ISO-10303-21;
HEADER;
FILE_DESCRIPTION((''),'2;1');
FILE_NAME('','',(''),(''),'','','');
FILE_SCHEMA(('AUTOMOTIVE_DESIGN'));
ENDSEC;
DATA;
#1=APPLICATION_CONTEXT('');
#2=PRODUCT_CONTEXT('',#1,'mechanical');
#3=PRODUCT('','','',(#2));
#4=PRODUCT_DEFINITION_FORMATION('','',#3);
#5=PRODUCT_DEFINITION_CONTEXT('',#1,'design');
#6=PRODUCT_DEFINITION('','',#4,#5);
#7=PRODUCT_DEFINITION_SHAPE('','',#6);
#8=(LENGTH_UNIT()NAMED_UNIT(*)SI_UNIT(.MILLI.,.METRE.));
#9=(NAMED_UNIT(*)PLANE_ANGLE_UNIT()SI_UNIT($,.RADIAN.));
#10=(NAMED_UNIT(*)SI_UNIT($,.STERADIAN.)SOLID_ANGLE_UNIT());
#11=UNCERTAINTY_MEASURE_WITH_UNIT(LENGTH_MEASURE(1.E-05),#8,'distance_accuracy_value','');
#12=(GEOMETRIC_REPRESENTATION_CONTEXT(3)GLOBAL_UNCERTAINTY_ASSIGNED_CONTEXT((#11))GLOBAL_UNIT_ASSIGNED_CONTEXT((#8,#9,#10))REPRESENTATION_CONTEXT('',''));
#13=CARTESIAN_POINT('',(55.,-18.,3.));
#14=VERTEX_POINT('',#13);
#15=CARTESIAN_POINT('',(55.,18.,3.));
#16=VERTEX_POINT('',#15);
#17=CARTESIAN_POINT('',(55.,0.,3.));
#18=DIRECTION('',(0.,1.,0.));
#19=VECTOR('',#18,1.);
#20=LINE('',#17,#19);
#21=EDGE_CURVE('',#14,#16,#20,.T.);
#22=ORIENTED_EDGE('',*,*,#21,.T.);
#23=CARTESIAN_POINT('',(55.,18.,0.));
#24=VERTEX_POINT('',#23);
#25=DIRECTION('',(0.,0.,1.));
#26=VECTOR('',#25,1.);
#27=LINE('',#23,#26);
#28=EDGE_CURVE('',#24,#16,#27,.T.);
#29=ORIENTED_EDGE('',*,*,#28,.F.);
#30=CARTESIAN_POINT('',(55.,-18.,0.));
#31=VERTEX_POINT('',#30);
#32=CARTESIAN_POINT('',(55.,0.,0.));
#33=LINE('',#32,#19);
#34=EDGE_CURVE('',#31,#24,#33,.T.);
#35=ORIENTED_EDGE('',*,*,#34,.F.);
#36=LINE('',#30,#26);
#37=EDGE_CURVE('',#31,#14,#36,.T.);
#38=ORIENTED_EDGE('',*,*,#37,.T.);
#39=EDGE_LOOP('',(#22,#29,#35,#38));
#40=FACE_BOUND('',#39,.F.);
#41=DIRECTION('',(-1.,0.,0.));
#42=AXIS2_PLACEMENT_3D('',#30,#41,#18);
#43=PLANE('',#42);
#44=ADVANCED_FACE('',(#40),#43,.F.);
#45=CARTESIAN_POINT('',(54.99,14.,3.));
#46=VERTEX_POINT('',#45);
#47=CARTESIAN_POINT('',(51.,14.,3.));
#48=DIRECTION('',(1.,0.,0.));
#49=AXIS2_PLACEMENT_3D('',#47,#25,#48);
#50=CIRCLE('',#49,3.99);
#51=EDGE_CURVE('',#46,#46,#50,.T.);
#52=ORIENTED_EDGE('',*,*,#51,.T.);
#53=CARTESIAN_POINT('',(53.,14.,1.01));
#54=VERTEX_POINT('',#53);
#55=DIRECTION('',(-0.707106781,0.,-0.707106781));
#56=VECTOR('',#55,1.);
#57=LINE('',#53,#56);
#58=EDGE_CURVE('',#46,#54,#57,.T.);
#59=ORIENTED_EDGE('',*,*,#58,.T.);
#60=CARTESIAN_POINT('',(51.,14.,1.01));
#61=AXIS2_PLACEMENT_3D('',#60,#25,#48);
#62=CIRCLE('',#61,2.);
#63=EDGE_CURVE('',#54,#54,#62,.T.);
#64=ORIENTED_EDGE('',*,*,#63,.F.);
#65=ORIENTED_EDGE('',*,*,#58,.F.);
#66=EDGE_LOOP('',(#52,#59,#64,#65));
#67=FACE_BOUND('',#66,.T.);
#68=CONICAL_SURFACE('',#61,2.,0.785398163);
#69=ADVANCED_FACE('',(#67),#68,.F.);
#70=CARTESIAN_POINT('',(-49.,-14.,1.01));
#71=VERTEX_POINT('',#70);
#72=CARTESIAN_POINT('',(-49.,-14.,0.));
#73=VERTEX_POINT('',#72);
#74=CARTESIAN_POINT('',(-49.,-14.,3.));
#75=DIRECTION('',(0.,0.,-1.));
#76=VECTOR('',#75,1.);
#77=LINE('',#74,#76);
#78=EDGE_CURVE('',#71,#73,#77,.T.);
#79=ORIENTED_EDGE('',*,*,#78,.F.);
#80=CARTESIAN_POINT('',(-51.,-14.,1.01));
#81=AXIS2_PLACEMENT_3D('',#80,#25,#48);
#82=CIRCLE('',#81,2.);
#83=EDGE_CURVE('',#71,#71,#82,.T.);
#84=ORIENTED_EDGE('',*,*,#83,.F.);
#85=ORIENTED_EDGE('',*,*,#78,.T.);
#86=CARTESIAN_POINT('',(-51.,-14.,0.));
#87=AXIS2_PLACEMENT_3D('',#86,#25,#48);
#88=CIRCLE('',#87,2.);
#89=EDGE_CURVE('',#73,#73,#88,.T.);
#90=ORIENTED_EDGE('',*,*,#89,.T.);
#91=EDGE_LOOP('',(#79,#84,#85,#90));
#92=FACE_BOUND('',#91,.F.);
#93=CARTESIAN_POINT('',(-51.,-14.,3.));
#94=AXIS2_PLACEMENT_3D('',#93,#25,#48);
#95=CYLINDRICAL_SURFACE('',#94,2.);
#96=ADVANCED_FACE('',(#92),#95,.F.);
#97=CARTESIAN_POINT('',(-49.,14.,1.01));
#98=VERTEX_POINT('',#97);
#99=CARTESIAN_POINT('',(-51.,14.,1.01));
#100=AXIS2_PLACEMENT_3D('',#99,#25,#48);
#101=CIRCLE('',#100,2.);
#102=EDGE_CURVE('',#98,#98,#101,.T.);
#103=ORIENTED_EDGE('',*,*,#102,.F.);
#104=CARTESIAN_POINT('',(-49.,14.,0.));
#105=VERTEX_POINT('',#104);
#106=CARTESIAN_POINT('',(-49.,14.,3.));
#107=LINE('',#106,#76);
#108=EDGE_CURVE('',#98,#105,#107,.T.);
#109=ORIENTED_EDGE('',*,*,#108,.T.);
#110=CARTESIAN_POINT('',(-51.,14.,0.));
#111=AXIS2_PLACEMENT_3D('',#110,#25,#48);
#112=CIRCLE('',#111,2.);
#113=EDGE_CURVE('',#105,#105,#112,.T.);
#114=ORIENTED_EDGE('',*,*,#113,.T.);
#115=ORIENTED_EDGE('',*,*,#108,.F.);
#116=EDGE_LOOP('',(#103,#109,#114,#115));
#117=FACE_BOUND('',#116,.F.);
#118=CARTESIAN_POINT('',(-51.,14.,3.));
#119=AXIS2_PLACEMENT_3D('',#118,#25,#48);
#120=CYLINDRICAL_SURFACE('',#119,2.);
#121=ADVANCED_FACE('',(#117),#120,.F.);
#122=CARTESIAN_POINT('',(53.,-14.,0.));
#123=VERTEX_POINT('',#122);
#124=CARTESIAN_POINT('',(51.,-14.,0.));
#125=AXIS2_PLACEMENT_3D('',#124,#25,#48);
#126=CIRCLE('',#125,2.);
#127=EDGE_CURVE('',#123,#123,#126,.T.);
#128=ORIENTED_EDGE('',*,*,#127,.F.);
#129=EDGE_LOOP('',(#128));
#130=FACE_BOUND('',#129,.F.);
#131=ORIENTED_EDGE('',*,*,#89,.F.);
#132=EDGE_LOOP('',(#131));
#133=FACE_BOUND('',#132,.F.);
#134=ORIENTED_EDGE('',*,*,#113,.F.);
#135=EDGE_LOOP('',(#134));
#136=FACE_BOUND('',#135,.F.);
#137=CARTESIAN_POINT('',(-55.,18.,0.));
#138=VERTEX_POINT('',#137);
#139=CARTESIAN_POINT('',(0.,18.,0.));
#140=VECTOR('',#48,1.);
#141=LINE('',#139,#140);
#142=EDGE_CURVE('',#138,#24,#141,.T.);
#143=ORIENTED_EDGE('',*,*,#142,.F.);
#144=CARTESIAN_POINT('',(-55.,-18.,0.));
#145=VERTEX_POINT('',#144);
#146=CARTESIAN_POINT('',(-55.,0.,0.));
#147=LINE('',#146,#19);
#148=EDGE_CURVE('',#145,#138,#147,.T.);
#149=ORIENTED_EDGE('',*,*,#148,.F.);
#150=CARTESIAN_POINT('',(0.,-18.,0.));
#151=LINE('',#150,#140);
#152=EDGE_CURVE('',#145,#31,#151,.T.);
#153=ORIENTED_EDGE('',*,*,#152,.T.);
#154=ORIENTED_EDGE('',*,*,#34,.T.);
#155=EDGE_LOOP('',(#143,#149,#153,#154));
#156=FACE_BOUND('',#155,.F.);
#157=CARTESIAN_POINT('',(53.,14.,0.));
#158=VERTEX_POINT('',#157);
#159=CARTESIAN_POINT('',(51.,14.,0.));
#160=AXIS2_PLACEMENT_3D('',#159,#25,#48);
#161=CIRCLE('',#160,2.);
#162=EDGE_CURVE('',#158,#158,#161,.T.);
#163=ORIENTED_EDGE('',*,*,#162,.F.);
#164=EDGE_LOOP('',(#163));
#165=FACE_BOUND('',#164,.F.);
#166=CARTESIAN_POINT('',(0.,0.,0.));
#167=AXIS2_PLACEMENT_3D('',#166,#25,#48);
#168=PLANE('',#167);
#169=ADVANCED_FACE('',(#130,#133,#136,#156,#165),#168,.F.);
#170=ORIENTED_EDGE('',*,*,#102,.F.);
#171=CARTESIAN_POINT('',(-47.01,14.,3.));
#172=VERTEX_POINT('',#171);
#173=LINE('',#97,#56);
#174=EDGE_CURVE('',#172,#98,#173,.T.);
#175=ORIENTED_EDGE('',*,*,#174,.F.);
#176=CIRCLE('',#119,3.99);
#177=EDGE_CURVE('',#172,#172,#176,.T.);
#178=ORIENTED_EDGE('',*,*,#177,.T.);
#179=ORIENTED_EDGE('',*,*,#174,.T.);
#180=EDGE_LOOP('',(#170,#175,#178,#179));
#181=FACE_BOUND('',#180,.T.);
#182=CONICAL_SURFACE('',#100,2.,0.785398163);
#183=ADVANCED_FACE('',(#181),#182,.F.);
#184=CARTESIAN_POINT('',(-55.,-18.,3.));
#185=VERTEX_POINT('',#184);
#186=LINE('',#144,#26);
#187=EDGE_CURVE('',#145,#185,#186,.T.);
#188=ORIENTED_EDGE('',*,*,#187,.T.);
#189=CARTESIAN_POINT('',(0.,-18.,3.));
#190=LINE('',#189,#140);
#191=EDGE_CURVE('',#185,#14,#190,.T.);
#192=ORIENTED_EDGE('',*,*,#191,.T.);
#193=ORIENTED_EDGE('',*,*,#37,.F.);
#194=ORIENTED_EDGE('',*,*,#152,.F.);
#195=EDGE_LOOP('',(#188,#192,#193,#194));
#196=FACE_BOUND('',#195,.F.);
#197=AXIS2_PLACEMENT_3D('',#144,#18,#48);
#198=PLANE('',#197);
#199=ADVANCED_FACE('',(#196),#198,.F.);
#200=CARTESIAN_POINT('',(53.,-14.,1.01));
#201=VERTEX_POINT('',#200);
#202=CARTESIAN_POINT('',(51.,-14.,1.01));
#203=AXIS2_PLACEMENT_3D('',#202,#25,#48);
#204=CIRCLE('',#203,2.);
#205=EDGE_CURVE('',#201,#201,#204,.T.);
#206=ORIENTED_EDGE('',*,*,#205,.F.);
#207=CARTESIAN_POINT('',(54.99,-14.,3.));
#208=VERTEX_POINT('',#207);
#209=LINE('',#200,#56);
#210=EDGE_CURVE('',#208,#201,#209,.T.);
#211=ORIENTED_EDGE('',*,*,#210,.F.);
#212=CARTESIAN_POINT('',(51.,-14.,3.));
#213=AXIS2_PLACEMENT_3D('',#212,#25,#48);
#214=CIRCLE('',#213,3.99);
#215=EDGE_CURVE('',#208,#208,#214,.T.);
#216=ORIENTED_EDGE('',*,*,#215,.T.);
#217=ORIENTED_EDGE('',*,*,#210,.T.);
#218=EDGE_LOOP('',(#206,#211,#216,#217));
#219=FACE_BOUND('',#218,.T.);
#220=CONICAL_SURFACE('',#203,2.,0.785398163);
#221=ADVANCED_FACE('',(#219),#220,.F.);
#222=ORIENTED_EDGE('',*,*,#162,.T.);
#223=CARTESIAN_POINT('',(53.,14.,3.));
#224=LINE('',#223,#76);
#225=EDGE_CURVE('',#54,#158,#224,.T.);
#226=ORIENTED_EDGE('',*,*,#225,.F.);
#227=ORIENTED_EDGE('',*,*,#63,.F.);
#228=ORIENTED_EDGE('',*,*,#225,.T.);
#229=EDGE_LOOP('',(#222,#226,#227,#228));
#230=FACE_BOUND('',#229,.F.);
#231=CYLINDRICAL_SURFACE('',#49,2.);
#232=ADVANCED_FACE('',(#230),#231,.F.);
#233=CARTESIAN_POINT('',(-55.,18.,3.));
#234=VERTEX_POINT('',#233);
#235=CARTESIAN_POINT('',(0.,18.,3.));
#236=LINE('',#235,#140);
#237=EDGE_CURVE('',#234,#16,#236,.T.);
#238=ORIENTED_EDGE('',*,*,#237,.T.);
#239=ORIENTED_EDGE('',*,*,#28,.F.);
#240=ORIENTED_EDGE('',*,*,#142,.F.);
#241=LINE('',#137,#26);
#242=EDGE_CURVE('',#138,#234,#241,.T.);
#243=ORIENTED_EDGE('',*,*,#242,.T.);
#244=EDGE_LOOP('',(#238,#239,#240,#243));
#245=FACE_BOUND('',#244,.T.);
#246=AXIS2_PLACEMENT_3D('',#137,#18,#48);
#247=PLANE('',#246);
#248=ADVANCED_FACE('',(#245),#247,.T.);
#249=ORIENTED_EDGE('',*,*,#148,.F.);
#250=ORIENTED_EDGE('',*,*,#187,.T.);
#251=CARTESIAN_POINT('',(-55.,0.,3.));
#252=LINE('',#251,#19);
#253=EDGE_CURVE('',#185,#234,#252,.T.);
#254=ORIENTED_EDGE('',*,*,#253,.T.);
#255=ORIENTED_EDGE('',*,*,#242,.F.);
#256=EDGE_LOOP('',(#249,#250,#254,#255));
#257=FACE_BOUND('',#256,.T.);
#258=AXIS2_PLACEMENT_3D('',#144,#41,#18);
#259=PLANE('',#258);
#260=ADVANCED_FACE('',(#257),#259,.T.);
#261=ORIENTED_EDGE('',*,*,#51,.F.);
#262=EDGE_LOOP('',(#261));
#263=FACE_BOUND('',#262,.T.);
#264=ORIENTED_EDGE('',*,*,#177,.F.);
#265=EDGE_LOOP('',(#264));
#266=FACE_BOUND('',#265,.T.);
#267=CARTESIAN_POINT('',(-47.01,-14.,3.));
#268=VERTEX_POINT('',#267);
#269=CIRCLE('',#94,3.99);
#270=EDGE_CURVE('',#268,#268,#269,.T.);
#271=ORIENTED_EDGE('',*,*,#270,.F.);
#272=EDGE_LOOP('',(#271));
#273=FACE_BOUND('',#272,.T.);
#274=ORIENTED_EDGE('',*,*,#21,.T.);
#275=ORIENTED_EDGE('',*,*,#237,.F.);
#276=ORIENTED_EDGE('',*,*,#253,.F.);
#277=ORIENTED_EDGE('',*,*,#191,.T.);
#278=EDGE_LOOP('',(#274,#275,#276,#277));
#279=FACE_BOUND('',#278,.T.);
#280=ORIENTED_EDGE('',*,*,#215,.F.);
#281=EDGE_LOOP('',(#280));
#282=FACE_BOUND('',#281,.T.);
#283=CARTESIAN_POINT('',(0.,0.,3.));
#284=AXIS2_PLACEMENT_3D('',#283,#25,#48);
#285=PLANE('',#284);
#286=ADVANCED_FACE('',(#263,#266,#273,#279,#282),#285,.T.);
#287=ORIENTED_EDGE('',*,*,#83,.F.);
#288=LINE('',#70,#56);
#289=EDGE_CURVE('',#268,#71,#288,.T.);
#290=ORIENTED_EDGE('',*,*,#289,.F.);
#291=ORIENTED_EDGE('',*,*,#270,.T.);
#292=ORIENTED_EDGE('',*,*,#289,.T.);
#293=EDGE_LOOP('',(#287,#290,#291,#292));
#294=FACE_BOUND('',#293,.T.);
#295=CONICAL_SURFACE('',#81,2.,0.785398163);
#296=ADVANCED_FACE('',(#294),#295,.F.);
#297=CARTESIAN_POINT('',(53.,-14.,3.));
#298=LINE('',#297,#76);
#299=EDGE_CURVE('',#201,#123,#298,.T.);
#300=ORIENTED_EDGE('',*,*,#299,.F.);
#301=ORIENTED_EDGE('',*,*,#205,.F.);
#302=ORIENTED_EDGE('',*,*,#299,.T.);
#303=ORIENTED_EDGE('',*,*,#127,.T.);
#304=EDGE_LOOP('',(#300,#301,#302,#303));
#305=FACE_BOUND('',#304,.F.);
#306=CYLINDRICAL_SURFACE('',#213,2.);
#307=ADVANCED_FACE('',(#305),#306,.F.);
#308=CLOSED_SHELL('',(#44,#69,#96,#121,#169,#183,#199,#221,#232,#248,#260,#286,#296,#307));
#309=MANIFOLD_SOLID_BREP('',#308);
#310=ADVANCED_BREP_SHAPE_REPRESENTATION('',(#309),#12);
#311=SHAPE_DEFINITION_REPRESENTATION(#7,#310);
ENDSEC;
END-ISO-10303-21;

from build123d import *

# Parameters (mm, degrees)
SKETCH_W     = 110
SKETCH_H     = 36
PAD_DEPTH    = 3
SKETCH002_R  = 2
POCKET_DEPTH = 3
CHAMFER_SIZE = 1.99


with BuildPart() as part:
    # Sketch → Pad (new body)
    with BuildSketch(Plane.XY):
        Rectangle(SKETCH_W, SKETCH_H)
    extrude(amount=PAD_DEPTH)

    # Sketch002 (on Face6 of Pad) → Pocket (cut)
    with BuildSketch(Plane.XY.offset(3)):
        with Locations((-51, 14)):
            Circle(SKETCH002_R)
        with Locations((-51, -14)):
            Circle(SKETCH002_R)
        with Locations((51, -14)):
            Circle(SKETCH002_R)
        with Locations((51, 14)):
            Circle(SKETCH002_R)
    extrude(amount=-POCKET_DEPTH, mode=Mode.SUBTRACT)

    # Chamfer
    chamfer_edges = [part.edges().sort_by_distance(p)[0] for p in [
        (-53, 14, 3),
        (-53, -14, 3),
        (49, -14, 3),
        (49, 14, 3),
    ]]
    chamfer(chamfer_edges, length=CHAMFER_SIZE)


solid = part.part
